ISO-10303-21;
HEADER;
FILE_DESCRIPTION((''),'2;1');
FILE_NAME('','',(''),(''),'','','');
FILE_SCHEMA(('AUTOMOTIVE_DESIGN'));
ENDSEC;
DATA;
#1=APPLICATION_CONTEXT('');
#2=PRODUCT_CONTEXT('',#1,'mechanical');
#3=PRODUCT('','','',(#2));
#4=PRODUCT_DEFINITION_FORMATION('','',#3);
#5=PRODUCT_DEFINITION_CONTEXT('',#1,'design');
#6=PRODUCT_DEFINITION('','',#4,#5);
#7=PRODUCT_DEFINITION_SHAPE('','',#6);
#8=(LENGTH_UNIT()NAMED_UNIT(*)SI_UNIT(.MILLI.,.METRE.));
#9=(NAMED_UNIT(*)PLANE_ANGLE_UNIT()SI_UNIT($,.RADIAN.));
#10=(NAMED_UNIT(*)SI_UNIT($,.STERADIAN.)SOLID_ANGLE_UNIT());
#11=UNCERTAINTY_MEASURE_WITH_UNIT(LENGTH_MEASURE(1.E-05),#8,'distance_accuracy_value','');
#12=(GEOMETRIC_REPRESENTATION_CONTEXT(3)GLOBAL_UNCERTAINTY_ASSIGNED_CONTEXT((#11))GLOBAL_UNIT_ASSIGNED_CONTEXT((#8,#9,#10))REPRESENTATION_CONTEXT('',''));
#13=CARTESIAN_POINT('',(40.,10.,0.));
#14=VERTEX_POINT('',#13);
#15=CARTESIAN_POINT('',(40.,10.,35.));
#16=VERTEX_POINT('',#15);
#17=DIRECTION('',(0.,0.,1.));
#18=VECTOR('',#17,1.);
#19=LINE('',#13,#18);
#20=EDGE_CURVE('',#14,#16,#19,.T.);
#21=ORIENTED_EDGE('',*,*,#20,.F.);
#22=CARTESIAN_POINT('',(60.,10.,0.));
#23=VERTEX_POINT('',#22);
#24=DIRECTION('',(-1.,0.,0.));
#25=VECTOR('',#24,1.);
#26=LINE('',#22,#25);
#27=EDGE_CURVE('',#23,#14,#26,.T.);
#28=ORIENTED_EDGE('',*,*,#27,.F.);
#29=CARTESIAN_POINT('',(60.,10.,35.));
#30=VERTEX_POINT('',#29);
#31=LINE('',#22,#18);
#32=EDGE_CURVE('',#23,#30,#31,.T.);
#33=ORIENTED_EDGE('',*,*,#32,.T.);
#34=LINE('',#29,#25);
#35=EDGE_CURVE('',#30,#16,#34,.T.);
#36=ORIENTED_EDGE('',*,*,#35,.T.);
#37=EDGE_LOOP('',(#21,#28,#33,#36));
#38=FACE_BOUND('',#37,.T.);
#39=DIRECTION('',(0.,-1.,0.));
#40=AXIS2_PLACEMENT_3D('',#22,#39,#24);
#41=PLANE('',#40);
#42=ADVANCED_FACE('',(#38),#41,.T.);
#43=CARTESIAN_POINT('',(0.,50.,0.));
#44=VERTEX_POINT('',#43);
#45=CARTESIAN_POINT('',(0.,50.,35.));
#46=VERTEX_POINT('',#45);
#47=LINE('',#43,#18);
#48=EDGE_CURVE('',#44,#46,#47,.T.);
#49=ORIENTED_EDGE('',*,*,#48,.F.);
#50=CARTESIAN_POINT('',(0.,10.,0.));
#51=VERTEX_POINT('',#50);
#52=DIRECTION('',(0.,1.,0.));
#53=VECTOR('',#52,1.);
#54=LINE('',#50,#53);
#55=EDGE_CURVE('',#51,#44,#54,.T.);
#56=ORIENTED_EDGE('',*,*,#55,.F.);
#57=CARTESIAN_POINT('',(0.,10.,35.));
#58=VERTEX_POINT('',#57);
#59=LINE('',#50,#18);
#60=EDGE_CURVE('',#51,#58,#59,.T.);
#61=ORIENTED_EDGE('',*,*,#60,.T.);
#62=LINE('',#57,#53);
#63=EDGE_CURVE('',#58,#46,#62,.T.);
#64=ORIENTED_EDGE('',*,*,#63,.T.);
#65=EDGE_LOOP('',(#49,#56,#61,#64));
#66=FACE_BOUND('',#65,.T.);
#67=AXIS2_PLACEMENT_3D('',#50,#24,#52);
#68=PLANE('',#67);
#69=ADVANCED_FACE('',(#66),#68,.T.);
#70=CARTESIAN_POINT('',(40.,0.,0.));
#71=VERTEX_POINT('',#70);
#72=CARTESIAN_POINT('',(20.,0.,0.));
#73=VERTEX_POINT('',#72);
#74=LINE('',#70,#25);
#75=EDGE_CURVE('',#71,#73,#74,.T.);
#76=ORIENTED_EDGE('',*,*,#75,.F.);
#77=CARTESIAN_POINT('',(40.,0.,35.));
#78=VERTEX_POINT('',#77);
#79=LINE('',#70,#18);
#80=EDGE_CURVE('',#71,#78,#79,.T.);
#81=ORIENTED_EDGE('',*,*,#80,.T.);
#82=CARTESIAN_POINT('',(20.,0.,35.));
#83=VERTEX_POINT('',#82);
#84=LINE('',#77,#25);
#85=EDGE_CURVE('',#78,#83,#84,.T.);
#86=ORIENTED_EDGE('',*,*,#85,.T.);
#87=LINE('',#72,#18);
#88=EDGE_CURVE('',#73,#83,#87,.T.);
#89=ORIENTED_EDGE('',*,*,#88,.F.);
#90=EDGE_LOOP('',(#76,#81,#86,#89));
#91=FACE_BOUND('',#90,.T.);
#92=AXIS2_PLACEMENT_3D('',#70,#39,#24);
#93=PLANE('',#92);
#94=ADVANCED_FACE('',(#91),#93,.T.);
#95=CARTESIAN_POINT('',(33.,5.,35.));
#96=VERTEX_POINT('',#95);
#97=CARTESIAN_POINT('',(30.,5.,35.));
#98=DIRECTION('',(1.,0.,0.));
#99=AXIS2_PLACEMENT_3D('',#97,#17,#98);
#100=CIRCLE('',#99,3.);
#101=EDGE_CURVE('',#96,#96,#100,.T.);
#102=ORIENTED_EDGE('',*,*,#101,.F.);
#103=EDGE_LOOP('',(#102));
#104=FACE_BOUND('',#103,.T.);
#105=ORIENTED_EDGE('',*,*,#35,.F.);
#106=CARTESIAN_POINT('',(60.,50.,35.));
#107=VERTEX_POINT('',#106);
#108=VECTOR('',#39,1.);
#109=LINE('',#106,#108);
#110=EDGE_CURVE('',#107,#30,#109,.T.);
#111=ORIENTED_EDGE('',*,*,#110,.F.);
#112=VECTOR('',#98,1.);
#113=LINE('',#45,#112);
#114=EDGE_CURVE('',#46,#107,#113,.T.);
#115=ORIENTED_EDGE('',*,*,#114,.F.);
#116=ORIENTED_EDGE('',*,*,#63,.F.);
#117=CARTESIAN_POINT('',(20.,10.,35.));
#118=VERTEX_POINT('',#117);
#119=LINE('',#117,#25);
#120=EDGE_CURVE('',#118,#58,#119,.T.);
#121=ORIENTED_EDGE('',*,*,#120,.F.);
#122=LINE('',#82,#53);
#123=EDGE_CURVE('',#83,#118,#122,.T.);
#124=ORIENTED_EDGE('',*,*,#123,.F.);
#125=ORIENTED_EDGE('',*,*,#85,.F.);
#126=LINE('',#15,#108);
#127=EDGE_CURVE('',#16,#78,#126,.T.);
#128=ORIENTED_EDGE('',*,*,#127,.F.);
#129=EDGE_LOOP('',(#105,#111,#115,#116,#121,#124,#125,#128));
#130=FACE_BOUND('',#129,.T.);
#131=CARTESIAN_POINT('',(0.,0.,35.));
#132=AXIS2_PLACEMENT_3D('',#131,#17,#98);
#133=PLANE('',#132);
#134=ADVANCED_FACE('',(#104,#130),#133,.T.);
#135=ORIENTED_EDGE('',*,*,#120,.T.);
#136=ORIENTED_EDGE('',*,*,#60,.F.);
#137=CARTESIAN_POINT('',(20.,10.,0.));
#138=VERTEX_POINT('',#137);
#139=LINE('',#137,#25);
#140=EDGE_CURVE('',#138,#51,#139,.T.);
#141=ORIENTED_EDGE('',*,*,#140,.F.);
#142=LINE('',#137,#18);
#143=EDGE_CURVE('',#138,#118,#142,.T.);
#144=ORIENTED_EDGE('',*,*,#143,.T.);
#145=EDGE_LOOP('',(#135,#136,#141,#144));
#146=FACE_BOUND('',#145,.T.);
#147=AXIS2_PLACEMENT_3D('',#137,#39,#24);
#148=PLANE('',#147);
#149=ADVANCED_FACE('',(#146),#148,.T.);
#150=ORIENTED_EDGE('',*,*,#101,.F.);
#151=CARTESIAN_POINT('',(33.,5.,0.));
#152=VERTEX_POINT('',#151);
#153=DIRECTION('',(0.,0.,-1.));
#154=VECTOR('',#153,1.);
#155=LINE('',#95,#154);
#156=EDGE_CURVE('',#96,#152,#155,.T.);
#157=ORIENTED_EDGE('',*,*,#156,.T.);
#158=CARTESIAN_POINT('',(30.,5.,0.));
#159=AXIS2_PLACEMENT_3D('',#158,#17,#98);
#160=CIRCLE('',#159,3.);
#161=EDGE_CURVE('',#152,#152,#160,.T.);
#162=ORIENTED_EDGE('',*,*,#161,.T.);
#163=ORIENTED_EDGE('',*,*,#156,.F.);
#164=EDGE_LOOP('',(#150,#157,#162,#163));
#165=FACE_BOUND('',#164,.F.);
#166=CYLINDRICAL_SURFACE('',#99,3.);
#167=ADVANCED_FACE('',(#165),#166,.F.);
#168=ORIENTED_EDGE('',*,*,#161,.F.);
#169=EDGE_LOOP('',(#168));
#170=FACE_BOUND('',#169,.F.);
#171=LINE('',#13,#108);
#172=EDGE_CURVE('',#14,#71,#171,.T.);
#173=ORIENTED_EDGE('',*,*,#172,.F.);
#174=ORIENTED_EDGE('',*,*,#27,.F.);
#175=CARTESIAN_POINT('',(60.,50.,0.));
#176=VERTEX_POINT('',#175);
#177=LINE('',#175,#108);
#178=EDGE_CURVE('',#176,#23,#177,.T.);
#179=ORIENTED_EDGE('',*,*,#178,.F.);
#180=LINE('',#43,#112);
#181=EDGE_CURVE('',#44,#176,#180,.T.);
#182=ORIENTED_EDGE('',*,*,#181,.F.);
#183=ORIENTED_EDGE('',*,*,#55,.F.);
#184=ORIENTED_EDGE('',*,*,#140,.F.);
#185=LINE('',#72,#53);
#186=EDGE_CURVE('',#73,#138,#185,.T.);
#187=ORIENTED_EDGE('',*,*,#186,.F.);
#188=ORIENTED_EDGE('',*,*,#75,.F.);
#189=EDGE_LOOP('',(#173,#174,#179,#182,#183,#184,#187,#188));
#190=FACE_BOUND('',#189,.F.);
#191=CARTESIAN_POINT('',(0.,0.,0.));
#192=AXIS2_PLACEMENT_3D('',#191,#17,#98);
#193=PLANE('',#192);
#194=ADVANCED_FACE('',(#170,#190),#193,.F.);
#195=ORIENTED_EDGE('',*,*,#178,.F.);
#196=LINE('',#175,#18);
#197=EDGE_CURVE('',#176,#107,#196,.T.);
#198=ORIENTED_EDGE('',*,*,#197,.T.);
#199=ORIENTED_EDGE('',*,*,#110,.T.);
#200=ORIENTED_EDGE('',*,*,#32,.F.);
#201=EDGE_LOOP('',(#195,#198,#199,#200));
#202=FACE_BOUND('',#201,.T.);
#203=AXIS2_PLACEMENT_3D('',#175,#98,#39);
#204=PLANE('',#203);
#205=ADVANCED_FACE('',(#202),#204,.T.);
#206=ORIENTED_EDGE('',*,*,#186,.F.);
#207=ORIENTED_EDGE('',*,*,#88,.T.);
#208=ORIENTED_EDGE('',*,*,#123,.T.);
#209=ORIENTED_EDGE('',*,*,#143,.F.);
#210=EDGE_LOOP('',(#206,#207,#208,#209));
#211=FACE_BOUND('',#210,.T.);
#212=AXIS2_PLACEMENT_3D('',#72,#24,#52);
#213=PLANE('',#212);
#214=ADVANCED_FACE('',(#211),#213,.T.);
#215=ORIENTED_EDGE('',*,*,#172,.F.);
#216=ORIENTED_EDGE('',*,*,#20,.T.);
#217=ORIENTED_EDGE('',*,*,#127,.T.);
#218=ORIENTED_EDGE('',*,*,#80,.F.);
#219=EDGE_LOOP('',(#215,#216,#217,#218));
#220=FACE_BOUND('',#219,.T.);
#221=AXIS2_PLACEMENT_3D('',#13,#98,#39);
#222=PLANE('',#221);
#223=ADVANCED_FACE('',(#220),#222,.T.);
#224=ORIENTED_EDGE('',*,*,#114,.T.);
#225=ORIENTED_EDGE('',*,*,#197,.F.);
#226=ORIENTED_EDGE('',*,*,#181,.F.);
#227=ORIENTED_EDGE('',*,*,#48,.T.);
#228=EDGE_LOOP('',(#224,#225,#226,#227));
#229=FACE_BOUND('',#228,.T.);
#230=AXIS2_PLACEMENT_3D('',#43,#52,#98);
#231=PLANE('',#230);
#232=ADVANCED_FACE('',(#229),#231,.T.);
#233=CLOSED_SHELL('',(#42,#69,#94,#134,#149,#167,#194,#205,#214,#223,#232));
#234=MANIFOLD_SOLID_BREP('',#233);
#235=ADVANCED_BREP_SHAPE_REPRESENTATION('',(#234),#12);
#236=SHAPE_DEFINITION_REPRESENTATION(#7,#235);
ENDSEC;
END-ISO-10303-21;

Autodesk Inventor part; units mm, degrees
ref_plane "YZ Plane" through (0, 0, 0) normal (1, 0, 0) x (0, 1, 0)
ref_plane "XZ Plane" through (0, 0, 0) normal (0, 1, 0) x (-1, 0, 0)
ref_plane "XY Plane" through (0, 0, 0) normal (0, 0, 1) x (1, 0, 0)
sketch "Sketch1" plane through (0, 0, 0) normal (0, 0, 1) x (1, 0, 0)
  line L0 (0, 10) -> (0, 50)
  line L1 (0, 50) -> (60, 50)
  line L2 (60, 50) -> (60, 10)
  line L3 (60, 10) -> (40, 10)
  line L4 (40, 10) -> (40, 0)
  line L5 (40, 0) -> (20, 0)
  line L6 (20, 0) -> (20, 10)
  line L7 (20, 10) -> (0, 10)
  point P0 (0, 0)
  dimension "d0" = 40
  dimension "d1" = 60
  dimension "d2" = 20
  dimension "d3" = 20
extrude "Extrusion1" add sketch "Sketch1" along normal blind 35
sketch "Sketch2" plane through (0, 0, 35) normal (0, 0, 1) x (1, 0, 0)
  circle A0 centre (30, 5) radius 3
  line L0 (20, 10) -> (20, 0) projected
  line L1 (20, 0) -> (40, 0) projected
  point P0 (0, 0)
  point P1 (20, 5)
  point P2 (30, 0)
  dimension "d6" = 6
  dimension "d7" = 10
  dimension "d8" = 5
extrude "Extrusion2" cut sketch "Sketch2" against normal blind 35
properties part number "haraketli_cene"
